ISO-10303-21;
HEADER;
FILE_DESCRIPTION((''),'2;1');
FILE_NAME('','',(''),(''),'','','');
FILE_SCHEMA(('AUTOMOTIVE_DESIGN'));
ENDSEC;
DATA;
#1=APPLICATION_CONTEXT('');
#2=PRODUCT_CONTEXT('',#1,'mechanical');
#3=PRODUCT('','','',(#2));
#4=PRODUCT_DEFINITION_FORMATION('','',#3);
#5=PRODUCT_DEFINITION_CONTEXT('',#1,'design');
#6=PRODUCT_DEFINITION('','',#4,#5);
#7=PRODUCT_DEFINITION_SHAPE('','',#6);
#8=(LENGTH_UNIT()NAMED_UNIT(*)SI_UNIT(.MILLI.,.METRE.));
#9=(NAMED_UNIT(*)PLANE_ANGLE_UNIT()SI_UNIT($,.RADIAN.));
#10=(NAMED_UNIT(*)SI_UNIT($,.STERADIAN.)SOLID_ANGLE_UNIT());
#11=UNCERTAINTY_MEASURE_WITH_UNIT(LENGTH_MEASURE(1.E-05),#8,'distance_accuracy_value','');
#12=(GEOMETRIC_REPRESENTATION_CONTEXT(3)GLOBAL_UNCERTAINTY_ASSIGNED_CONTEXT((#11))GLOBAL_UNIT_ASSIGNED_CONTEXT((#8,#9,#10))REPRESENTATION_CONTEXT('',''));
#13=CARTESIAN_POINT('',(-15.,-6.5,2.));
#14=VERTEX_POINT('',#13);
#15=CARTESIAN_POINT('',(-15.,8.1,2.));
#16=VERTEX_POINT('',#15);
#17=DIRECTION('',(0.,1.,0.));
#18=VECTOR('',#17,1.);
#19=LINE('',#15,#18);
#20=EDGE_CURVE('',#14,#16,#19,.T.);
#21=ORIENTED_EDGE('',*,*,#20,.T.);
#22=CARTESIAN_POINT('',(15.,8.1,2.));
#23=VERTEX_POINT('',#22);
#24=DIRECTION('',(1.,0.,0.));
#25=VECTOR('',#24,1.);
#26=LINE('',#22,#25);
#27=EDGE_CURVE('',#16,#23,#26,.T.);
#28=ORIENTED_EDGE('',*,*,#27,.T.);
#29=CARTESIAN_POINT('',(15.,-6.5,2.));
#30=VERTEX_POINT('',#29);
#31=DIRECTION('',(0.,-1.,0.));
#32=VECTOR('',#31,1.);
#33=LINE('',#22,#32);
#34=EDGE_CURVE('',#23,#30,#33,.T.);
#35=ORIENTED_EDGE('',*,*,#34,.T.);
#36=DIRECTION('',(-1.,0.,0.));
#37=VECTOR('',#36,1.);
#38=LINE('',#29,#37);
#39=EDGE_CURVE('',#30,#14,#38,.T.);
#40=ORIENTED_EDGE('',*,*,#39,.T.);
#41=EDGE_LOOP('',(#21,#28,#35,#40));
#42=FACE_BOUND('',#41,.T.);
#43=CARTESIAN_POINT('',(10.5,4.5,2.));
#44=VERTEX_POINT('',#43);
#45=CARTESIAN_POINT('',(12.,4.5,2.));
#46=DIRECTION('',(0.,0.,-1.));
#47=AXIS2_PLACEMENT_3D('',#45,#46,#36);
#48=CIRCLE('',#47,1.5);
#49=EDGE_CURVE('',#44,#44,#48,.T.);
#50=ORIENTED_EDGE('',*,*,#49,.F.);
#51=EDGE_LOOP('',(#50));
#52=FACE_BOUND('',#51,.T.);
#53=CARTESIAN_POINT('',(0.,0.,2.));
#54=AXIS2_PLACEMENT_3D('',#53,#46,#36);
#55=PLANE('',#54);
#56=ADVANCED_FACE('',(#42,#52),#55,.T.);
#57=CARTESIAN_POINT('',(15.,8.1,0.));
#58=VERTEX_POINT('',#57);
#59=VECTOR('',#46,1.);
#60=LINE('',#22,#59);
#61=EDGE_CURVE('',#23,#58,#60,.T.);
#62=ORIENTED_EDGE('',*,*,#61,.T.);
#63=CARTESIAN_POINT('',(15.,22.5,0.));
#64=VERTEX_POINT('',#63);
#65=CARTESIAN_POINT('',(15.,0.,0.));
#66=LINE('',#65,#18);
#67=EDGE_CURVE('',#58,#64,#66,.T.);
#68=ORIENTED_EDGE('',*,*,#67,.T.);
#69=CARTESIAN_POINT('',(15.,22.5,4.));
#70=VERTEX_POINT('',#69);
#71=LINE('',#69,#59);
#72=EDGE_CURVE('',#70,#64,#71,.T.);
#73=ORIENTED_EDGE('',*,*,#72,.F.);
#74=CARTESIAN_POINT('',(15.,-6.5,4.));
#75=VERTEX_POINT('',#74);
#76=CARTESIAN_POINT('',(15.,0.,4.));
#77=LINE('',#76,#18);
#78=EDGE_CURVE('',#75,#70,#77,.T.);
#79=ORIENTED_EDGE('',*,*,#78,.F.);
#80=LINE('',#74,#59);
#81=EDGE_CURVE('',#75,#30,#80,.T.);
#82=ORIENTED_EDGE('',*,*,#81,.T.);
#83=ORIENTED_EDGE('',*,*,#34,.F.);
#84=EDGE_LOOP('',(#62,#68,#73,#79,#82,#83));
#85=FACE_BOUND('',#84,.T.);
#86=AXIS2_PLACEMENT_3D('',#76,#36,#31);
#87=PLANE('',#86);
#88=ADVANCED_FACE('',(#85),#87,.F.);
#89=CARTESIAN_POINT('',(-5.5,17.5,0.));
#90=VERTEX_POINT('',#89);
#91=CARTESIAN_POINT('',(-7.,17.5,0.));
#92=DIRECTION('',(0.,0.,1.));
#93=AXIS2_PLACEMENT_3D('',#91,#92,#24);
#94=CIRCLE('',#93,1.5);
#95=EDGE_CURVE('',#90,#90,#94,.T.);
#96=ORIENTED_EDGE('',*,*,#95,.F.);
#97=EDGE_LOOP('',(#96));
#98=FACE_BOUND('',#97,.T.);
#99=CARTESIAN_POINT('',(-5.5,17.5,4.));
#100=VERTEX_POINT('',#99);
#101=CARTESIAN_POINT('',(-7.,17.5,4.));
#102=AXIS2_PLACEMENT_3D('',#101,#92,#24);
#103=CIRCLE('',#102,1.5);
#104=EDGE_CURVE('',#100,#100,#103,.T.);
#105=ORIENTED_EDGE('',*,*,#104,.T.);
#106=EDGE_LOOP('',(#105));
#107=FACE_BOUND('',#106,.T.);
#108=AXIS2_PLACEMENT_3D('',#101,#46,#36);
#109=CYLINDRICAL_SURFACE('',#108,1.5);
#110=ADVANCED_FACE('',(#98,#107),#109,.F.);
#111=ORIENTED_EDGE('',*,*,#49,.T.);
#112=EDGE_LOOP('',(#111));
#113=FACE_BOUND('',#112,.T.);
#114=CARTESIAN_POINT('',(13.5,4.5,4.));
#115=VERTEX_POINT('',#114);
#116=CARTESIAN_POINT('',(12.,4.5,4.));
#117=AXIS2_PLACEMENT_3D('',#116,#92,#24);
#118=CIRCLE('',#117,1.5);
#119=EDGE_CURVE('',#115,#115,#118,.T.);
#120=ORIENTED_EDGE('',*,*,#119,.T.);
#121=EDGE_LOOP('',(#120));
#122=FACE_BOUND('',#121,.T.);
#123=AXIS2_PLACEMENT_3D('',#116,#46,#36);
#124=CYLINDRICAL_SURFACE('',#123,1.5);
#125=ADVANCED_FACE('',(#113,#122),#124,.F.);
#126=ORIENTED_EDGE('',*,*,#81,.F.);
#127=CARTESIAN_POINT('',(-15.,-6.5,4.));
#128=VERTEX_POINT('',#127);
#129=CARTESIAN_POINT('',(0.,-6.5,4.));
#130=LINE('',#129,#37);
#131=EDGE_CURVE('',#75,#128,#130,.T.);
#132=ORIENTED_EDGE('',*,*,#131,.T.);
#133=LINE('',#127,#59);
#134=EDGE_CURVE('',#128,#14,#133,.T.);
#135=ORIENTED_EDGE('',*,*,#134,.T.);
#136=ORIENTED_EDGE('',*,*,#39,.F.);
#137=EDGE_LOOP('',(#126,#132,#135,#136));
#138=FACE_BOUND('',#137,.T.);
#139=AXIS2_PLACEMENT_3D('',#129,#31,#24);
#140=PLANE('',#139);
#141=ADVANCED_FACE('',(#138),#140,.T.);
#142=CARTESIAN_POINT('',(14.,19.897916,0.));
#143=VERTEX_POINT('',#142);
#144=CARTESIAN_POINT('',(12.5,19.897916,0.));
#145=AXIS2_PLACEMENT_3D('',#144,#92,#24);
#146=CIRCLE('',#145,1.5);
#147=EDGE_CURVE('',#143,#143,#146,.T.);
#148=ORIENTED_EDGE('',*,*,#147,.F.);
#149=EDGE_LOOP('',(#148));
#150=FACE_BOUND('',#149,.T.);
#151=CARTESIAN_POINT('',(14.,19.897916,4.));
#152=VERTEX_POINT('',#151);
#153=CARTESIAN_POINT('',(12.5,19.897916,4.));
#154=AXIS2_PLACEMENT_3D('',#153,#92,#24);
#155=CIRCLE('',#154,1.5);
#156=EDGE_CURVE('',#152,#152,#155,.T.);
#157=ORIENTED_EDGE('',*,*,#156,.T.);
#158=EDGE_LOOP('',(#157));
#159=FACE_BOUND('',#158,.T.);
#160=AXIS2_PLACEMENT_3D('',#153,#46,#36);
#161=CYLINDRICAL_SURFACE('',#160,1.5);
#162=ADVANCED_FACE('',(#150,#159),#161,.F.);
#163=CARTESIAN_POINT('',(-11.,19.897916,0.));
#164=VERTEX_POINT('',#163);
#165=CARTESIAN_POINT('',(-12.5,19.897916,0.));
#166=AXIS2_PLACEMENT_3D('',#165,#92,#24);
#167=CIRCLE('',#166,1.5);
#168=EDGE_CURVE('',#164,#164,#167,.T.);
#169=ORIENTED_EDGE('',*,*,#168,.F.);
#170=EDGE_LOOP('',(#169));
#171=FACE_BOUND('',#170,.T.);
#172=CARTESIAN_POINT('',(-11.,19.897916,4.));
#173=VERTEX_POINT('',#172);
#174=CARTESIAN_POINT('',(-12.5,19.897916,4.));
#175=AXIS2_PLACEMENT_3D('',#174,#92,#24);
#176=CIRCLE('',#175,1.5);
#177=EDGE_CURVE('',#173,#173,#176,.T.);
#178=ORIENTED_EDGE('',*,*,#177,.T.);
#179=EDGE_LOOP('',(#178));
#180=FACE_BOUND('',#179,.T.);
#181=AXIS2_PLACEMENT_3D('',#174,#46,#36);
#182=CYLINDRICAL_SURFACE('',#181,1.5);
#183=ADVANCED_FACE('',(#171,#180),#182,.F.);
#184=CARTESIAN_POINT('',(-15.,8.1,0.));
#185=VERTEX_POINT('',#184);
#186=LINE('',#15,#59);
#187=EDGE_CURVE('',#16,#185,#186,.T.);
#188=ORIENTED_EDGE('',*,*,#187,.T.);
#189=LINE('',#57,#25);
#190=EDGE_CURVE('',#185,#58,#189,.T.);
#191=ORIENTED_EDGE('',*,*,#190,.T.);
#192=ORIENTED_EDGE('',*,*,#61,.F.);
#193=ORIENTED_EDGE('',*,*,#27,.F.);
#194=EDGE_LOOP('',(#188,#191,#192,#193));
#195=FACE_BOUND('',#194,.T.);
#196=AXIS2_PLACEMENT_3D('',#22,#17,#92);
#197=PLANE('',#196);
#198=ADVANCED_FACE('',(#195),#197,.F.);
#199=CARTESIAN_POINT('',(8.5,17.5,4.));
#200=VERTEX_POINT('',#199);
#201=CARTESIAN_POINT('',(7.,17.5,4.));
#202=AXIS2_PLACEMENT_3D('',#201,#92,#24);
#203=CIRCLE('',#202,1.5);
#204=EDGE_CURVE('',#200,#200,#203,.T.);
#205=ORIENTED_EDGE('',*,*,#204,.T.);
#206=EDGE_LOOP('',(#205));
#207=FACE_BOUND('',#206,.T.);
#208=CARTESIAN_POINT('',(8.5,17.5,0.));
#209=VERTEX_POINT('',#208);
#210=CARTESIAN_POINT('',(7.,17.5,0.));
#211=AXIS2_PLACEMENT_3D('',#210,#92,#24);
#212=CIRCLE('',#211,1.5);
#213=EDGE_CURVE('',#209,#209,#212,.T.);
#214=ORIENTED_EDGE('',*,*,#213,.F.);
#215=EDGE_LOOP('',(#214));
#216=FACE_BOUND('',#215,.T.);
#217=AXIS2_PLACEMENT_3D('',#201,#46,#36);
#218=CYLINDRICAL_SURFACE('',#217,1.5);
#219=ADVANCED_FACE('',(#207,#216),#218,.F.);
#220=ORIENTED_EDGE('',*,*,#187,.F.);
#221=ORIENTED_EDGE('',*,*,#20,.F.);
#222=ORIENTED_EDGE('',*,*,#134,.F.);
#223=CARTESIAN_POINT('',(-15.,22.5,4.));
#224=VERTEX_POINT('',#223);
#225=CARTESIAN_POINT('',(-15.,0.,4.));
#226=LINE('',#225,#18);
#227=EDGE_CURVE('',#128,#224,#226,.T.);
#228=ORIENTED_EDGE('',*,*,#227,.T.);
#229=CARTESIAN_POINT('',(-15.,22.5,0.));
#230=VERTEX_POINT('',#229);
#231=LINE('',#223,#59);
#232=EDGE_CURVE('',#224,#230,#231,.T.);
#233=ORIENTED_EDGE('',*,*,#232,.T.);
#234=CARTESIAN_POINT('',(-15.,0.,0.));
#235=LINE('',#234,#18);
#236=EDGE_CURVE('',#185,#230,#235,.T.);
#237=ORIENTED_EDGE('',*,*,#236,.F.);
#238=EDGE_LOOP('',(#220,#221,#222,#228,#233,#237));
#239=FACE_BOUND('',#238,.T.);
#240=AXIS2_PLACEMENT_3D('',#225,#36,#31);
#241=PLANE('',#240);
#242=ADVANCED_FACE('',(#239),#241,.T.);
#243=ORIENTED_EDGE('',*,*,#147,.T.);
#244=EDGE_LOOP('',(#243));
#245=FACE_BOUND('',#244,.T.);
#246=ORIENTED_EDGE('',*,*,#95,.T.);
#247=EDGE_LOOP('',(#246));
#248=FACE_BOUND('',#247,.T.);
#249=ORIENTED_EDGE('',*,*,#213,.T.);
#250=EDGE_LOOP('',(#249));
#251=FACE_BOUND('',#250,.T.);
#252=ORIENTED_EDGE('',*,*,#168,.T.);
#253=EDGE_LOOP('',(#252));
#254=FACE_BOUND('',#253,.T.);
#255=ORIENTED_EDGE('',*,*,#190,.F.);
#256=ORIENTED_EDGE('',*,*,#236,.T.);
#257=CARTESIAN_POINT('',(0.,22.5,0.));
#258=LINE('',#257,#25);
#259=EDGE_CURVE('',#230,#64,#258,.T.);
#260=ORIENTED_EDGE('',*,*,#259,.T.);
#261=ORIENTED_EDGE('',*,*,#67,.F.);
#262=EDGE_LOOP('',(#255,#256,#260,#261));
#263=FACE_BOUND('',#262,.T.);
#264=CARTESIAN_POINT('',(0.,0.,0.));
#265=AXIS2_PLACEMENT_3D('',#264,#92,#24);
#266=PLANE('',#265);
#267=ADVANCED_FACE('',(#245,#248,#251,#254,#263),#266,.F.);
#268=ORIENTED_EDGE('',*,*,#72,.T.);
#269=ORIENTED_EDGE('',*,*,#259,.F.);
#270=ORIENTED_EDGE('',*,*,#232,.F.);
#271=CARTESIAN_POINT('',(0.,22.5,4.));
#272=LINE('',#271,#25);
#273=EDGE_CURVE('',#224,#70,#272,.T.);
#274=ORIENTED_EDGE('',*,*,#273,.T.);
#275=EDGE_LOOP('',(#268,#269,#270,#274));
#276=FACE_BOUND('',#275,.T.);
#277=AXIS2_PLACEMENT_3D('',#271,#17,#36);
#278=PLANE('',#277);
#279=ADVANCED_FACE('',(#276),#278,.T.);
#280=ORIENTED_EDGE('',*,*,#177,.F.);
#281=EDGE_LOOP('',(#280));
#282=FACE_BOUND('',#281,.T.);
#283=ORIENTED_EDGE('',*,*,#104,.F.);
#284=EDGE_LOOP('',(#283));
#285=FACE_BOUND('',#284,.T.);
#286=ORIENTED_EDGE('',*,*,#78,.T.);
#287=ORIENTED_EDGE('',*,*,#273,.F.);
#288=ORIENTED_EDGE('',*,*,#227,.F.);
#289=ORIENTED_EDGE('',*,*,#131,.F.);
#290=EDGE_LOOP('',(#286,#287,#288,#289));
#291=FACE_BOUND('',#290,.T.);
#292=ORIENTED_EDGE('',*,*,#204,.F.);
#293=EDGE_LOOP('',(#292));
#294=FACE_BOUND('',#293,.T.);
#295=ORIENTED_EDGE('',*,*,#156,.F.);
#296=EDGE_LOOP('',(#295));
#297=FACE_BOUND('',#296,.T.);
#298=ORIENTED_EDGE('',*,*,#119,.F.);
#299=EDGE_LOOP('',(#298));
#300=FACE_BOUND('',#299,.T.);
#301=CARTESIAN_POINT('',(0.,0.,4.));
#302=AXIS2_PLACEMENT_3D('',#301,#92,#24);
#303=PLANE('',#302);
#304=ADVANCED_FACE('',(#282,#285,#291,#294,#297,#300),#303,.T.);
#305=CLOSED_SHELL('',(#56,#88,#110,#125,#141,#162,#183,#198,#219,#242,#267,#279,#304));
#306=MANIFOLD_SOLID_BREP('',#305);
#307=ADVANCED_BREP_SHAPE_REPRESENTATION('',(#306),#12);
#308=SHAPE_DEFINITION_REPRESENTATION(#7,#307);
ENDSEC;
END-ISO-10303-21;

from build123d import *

# Parameters (mm, degrees)
ESBO_O3_W                = 30
ESBO_O3_H                = 29
ESBO_O3_R                = 1.5
RESSALTO_EXTRUS_O2_DEPTH = 4
ESBO_O5_W                = 30
ESBO_O5_H                = 14.6
CORTE_EXTRUS_O2_DEPTH    = 2


with BuildPart() as part:
    # Esboço3 → Ressalto-extrusão2 (new body)
    with BuildSketch(Plane.XY):
        with Locations((0, 8)):
            Rectangle(ESBO_O3_W, ESBO_O3_H)
        with Locations((-12.5, 19.897915762)):
            Circle(ESBO_O3_R, mode=Mode.SUBTRACT)
        with Locations((-7, 17.5)):
            Circle(ESBO_O3_R, mode=Mode.SUBTRACT)
        with Locations((12, 4.5)):
            Circle(ESBO_O3_R, mode=Mode.SUBTRACT)
        with Locations((7, 17.5)):
            Circle(ESBO_O3_R, mode=Mode.SUBTRACT)
        with Locations((12.5, 19.897915762)):
            Circle(ESBO_O3_R, mode=Mode.SUBTRACT)
    extrude(amount=RESSALTO_EXTRUS_O2_DEPTH)

    # Esboço5 → Corte-extrusão2 (cut)
    with BuildSketch(Plane(origin=(0, 0, 0), x_dir=(-1, 0, 0), z_dir=(0, 0, -1))):
        with Locations((0, 0.8)):
            Rectangle(ESBO_O5_W, ESBO_O5_H)
    extrude(amount=-CORTE_EXTRUS_O2_DEPTH, mode=Mode.SUBTRACT)


solid = part.part
